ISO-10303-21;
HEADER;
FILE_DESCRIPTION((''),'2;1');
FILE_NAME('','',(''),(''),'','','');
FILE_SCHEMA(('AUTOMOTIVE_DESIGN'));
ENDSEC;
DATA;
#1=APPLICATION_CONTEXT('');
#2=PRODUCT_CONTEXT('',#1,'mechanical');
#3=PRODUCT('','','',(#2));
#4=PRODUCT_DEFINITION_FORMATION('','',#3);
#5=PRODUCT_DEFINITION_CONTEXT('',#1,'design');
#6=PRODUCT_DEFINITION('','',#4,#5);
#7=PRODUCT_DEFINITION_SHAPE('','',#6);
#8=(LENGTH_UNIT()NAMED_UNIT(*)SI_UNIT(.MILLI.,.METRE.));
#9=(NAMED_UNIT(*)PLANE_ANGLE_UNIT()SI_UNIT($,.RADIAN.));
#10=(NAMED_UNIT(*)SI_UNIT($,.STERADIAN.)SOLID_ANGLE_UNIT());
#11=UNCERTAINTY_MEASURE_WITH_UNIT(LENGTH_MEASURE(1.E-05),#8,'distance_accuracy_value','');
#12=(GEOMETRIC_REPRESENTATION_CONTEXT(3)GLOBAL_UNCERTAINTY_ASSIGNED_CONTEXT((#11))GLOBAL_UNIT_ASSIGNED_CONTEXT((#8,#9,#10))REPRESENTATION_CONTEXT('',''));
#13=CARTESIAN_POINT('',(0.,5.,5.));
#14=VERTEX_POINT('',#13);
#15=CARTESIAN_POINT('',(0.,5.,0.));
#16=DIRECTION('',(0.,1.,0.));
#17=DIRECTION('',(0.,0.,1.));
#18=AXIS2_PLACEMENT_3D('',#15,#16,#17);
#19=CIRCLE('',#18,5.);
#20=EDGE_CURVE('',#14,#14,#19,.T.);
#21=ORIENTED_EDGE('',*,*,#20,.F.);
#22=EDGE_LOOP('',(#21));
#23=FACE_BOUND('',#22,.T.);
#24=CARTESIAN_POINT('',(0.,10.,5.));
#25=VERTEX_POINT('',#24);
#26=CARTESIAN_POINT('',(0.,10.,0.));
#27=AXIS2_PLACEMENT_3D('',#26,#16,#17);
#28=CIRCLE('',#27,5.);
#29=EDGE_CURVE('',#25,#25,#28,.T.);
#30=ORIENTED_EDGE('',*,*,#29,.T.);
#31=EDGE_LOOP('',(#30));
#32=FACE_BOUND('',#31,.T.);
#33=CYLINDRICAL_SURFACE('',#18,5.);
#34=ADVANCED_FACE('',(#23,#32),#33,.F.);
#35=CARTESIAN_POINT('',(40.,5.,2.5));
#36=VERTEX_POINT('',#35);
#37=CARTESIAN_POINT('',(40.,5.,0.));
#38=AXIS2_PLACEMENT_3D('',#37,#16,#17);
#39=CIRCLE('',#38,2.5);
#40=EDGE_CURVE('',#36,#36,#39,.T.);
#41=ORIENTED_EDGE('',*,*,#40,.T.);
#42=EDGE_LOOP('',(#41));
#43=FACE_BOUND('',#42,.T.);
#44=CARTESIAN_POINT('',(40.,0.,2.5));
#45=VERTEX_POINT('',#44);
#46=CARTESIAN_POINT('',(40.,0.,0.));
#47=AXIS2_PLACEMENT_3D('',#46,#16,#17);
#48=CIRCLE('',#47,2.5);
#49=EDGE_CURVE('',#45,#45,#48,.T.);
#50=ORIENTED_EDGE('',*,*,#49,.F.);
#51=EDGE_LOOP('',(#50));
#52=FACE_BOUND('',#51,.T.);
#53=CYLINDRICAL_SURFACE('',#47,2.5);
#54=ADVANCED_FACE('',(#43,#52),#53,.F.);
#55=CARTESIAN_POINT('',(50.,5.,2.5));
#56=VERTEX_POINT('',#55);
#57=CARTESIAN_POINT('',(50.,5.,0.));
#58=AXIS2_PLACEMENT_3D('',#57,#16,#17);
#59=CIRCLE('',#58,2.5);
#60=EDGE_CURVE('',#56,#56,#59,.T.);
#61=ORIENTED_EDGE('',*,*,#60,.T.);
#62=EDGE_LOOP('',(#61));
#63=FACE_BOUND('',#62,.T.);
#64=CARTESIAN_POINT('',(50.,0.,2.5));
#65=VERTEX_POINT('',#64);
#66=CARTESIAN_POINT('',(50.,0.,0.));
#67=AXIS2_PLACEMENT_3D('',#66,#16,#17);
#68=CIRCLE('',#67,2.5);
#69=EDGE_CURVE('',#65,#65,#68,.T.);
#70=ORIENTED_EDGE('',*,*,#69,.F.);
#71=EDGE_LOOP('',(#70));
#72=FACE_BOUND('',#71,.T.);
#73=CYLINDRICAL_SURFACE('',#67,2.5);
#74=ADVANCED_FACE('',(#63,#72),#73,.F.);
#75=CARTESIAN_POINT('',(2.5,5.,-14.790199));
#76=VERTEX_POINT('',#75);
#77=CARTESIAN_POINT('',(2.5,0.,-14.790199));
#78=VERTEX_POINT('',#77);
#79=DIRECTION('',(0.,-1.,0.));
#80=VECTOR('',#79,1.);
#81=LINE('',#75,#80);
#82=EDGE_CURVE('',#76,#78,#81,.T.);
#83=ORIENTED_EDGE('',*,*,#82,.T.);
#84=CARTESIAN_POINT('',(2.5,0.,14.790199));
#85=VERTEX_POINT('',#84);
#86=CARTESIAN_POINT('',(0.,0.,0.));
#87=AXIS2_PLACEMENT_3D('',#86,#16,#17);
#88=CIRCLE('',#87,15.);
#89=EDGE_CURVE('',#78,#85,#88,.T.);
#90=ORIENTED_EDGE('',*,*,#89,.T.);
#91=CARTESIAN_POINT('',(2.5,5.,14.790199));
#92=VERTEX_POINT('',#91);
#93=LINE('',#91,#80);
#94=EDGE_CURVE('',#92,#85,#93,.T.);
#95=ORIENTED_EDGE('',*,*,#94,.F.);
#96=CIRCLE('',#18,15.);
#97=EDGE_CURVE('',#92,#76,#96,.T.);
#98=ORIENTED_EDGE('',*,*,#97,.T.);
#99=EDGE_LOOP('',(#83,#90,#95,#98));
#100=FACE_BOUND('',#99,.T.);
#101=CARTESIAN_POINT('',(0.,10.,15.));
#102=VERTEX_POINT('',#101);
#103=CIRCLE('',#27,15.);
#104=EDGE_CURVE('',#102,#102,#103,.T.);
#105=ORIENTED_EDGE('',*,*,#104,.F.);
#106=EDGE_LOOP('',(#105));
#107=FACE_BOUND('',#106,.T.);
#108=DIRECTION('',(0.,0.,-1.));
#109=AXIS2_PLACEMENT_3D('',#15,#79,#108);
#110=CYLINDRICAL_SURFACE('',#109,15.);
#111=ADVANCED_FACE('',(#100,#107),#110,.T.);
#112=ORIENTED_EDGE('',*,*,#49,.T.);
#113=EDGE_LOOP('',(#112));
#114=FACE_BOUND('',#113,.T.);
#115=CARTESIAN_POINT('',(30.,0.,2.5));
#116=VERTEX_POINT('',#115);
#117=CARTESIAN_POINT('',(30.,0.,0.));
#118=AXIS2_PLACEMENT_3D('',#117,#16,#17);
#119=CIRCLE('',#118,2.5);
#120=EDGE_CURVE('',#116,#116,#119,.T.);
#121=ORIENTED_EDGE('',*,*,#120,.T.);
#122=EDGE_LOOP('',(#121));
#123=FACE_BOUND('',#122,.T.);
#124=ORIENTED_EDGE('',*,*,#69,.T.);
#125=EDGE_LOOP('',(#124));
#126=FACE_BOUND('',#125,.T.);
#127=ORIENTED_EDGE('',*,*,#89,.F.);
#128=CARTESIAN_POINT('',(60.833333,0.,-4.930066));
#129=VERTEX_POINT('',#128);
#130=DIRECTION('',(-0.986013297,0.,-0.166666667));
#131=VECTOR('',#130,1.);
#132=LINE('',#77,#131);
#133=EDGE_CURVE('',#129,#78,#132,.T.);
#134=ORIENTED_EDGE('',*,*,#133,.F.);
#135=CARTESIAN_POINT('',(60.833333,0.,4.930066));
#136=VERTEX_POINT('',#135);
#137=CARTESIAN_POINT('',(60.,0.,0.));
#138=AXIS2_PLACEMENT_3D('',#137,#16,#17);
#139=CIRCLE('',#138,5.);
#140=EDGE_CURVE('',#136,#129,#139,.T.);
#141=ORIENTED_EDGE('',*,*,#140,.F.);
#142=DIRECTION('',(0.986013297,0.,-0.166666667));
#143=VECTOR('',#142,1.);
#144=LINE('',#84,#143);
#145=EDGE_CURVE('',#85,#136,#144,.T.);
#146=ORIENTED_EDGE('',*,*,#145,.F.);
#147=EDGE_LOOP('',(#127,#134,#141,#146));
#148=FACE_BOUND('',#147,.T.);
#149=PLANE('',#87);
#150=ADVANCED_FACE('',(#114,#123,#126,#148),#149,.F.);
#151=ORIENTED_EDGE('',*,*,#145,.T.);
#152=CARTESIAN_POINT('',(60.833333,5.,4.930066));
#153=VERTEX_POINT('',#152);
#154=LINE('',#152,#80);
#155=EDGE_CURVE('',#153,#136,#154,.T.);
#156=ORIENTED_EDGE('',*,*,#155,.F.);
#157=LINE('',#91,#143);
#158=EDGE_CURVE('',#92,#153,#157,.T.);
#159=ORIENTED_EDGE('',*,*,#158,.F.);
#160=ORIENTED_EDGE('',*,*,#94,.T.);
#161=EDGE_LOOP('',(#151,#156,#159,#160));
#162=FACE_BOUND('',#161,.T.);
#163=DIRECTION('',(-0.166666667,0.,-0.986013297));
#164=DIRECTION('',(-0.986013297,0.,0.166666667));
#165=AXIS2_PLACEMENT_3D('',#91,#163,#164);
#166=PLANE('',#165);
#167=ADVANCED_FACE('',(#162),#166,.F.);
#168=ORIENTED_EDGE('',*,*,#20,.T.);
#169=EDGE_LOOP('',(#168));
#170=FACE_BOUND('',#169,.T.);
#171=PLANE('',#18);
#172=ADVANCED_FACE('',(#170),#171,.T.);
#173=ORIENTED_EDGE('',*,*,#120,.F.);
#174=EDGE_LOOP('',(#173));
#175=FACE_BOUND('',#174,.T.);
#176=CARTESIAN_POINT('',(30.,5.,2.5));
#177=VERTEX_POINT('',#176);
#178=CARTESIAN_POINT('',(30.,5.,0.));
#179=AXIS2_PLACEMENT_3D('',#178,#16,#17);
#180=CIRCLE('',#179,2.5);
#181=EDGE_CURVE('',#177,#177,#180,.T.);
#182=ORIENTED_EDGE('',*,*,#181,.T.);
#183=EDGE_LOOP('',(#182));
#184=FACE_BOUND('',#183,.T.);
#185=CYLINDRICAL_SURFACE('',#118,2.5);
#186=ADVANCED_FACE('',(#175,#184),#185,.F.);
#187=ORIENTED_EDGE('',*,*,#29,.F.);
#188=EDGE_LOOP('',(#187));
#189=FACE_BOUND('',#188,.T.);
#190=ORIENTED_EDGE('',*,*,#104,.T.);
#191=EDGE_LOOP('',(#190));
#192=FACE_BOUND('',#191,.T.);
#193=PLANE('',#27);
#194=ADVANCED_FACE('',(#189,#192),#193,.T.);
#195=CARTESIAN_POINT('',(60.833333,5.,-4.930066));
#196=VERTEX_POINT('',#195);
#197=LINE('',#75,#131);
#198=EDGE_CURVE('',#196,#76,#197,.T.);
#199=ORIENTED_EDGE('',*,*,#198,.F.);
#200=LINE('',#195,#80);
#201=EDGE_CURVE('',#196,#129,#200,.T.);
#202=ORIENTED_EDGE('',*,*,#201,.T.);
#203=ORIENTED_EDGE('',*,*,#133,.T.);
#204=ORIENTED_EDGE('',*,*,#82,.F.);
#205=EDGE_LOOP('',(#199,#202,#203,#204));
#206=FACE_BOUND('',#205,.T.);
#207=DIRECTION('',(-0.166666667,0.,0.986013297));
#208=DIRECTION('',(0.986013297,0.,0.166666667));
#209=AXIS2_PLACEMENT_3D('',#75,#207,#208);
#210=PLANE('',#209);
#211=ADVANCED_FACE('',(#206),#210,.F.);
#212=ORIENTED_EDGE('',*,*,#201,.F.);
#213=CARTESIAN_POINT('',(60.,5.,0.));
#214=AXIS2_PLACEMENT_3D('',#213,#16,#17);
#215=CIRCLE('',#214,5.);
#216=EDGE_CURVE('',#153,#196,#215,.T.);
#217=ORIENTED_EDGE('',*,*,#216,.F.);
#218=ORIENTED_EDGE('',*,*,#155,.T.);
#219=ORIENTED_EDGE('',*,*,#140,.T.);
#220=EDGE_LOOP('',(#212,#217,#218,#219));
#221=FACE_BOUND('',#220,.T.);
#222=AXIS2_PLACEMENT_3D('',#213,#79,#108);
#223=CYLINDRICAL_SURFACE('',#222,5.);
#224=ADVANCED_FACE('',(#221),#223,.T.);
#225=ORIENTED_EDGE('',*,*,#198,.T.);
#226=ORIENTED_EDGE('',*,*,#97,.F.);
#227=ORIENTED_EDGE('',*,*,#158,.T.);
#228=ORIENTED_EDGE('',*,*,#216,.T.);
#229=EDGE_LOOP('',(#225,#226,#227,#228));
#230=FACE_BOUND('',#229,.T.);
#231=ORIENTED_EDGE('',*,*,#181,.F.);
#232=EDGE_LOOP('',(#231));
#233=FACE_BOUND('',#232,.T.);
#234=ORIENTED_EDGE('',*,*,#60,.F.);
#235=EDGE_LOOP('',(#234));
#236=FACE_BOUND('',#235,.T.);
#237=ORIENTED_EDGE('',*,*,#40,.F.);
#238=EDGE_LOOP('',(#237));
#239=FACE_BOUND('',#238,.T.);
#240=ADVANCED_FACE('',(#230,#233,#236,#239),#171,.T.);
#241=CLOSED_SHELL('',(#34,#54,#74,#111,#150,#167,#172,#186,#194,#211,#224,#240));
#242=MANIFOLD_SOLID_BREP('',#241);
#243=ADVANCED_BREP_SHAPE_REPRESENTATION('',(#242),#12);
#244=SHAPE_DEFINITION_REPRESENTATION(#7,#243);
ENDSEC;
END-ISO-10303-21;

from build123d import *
from build123d.topology import SkipClean

# Parameters (mm, degrees)
BOSS_EXTRUDE1_DEPTH = 5
SKETCH2_R           = 15
BOSS_EXTRUDE2_DEPTH = 5
SKETCH3_R           = 5
CUT_EXTRUDE1_DEPTH  = 5
SKETCH4_R           = 2.5
CUT_EXTRUDE2_DEPTH  = 5


with BuildPart() as part:
    # Sketch1 → Boss-Extrude1 (new body)
    with BuildSketch(Plane(origin=(0, 0, 0), x_dir=(1, 0, 0), z_dir=(0, 1, 0))):
        with BuildLine():
            Line((2.5, 14.790199458), (60.833333333, 4.930066486))
            ThreePointArc((60.833333333, 4.930066486), (65, 0), (60.833333333, -4.930066486))
            Line((60.833333333, -4.930066486), (2.5, -14.790199458))
            ThreePointArc((2.5, -14.790199458), (-15, 0), (2.5, 14.790199458))
        make_face()
    extrude(amount=BOSS_EXTRUDE1_DEPTH)

    # Sketch2 → Boss-Extrude2 (add)
    with SkipClean():  # the faces are left unmerged after this step: merging them gives an invalid solid
        with BuildSketch(Plane(origin=(0, 5, 0), x_dir=(1, 0, 0), z_dir=(0, 1, 0))):
            with Locations(Location((0, 0, 0), (0, 0, 80.405931773))):
                Circle(SKETCH2_R)
        extrude(amount=BOSS_EXTRUDE2_DEPTH)

    # Sketch3 → Cut-Extrude1 (cut)
    with SkipClean():  # the faces are left unmerged after this step: merging them gives an invalid solid
        with BuildSketch(Plane(origin=(0, 10, 0), x_dir=(1, 0, 0), z_dir=(0, 1, 0))):
            with Locations(Location((0, 0, 0), (0, 0, 270))):
                Circle(SKETCH3_R)
        extrude(amount=-CUT_EXTRUDE1_DEPTH, mode=Mode.SUBTRACT)

    # Sketch4 → Cut-Extrude2 (cut)
    with SkipClean():  # the faces are left unmerged after this step: merging them gives an invalid solid
        with BuildSketch(Plane(origin=(0, 5, 0), x_dir=(1, 0, 0), z_dir=(0, 1, 0))):
            with Locations(Location((50, 0, 0), (0, 0, 270))):
                Circle(SKETCH4_R)
            with Locations(Location((40, 0, 0), (0, 0, 270))):
                Circle(SKETCH4_R)
            with Locations(Location((30, 0, 0), (0, 0, 270))):
                Circle(SKETCH4_R)
        extrude(amount=-CUT_EXTRUDE2_DEPTH, mode=Mode.SUBTRACT)


solid = part.part
